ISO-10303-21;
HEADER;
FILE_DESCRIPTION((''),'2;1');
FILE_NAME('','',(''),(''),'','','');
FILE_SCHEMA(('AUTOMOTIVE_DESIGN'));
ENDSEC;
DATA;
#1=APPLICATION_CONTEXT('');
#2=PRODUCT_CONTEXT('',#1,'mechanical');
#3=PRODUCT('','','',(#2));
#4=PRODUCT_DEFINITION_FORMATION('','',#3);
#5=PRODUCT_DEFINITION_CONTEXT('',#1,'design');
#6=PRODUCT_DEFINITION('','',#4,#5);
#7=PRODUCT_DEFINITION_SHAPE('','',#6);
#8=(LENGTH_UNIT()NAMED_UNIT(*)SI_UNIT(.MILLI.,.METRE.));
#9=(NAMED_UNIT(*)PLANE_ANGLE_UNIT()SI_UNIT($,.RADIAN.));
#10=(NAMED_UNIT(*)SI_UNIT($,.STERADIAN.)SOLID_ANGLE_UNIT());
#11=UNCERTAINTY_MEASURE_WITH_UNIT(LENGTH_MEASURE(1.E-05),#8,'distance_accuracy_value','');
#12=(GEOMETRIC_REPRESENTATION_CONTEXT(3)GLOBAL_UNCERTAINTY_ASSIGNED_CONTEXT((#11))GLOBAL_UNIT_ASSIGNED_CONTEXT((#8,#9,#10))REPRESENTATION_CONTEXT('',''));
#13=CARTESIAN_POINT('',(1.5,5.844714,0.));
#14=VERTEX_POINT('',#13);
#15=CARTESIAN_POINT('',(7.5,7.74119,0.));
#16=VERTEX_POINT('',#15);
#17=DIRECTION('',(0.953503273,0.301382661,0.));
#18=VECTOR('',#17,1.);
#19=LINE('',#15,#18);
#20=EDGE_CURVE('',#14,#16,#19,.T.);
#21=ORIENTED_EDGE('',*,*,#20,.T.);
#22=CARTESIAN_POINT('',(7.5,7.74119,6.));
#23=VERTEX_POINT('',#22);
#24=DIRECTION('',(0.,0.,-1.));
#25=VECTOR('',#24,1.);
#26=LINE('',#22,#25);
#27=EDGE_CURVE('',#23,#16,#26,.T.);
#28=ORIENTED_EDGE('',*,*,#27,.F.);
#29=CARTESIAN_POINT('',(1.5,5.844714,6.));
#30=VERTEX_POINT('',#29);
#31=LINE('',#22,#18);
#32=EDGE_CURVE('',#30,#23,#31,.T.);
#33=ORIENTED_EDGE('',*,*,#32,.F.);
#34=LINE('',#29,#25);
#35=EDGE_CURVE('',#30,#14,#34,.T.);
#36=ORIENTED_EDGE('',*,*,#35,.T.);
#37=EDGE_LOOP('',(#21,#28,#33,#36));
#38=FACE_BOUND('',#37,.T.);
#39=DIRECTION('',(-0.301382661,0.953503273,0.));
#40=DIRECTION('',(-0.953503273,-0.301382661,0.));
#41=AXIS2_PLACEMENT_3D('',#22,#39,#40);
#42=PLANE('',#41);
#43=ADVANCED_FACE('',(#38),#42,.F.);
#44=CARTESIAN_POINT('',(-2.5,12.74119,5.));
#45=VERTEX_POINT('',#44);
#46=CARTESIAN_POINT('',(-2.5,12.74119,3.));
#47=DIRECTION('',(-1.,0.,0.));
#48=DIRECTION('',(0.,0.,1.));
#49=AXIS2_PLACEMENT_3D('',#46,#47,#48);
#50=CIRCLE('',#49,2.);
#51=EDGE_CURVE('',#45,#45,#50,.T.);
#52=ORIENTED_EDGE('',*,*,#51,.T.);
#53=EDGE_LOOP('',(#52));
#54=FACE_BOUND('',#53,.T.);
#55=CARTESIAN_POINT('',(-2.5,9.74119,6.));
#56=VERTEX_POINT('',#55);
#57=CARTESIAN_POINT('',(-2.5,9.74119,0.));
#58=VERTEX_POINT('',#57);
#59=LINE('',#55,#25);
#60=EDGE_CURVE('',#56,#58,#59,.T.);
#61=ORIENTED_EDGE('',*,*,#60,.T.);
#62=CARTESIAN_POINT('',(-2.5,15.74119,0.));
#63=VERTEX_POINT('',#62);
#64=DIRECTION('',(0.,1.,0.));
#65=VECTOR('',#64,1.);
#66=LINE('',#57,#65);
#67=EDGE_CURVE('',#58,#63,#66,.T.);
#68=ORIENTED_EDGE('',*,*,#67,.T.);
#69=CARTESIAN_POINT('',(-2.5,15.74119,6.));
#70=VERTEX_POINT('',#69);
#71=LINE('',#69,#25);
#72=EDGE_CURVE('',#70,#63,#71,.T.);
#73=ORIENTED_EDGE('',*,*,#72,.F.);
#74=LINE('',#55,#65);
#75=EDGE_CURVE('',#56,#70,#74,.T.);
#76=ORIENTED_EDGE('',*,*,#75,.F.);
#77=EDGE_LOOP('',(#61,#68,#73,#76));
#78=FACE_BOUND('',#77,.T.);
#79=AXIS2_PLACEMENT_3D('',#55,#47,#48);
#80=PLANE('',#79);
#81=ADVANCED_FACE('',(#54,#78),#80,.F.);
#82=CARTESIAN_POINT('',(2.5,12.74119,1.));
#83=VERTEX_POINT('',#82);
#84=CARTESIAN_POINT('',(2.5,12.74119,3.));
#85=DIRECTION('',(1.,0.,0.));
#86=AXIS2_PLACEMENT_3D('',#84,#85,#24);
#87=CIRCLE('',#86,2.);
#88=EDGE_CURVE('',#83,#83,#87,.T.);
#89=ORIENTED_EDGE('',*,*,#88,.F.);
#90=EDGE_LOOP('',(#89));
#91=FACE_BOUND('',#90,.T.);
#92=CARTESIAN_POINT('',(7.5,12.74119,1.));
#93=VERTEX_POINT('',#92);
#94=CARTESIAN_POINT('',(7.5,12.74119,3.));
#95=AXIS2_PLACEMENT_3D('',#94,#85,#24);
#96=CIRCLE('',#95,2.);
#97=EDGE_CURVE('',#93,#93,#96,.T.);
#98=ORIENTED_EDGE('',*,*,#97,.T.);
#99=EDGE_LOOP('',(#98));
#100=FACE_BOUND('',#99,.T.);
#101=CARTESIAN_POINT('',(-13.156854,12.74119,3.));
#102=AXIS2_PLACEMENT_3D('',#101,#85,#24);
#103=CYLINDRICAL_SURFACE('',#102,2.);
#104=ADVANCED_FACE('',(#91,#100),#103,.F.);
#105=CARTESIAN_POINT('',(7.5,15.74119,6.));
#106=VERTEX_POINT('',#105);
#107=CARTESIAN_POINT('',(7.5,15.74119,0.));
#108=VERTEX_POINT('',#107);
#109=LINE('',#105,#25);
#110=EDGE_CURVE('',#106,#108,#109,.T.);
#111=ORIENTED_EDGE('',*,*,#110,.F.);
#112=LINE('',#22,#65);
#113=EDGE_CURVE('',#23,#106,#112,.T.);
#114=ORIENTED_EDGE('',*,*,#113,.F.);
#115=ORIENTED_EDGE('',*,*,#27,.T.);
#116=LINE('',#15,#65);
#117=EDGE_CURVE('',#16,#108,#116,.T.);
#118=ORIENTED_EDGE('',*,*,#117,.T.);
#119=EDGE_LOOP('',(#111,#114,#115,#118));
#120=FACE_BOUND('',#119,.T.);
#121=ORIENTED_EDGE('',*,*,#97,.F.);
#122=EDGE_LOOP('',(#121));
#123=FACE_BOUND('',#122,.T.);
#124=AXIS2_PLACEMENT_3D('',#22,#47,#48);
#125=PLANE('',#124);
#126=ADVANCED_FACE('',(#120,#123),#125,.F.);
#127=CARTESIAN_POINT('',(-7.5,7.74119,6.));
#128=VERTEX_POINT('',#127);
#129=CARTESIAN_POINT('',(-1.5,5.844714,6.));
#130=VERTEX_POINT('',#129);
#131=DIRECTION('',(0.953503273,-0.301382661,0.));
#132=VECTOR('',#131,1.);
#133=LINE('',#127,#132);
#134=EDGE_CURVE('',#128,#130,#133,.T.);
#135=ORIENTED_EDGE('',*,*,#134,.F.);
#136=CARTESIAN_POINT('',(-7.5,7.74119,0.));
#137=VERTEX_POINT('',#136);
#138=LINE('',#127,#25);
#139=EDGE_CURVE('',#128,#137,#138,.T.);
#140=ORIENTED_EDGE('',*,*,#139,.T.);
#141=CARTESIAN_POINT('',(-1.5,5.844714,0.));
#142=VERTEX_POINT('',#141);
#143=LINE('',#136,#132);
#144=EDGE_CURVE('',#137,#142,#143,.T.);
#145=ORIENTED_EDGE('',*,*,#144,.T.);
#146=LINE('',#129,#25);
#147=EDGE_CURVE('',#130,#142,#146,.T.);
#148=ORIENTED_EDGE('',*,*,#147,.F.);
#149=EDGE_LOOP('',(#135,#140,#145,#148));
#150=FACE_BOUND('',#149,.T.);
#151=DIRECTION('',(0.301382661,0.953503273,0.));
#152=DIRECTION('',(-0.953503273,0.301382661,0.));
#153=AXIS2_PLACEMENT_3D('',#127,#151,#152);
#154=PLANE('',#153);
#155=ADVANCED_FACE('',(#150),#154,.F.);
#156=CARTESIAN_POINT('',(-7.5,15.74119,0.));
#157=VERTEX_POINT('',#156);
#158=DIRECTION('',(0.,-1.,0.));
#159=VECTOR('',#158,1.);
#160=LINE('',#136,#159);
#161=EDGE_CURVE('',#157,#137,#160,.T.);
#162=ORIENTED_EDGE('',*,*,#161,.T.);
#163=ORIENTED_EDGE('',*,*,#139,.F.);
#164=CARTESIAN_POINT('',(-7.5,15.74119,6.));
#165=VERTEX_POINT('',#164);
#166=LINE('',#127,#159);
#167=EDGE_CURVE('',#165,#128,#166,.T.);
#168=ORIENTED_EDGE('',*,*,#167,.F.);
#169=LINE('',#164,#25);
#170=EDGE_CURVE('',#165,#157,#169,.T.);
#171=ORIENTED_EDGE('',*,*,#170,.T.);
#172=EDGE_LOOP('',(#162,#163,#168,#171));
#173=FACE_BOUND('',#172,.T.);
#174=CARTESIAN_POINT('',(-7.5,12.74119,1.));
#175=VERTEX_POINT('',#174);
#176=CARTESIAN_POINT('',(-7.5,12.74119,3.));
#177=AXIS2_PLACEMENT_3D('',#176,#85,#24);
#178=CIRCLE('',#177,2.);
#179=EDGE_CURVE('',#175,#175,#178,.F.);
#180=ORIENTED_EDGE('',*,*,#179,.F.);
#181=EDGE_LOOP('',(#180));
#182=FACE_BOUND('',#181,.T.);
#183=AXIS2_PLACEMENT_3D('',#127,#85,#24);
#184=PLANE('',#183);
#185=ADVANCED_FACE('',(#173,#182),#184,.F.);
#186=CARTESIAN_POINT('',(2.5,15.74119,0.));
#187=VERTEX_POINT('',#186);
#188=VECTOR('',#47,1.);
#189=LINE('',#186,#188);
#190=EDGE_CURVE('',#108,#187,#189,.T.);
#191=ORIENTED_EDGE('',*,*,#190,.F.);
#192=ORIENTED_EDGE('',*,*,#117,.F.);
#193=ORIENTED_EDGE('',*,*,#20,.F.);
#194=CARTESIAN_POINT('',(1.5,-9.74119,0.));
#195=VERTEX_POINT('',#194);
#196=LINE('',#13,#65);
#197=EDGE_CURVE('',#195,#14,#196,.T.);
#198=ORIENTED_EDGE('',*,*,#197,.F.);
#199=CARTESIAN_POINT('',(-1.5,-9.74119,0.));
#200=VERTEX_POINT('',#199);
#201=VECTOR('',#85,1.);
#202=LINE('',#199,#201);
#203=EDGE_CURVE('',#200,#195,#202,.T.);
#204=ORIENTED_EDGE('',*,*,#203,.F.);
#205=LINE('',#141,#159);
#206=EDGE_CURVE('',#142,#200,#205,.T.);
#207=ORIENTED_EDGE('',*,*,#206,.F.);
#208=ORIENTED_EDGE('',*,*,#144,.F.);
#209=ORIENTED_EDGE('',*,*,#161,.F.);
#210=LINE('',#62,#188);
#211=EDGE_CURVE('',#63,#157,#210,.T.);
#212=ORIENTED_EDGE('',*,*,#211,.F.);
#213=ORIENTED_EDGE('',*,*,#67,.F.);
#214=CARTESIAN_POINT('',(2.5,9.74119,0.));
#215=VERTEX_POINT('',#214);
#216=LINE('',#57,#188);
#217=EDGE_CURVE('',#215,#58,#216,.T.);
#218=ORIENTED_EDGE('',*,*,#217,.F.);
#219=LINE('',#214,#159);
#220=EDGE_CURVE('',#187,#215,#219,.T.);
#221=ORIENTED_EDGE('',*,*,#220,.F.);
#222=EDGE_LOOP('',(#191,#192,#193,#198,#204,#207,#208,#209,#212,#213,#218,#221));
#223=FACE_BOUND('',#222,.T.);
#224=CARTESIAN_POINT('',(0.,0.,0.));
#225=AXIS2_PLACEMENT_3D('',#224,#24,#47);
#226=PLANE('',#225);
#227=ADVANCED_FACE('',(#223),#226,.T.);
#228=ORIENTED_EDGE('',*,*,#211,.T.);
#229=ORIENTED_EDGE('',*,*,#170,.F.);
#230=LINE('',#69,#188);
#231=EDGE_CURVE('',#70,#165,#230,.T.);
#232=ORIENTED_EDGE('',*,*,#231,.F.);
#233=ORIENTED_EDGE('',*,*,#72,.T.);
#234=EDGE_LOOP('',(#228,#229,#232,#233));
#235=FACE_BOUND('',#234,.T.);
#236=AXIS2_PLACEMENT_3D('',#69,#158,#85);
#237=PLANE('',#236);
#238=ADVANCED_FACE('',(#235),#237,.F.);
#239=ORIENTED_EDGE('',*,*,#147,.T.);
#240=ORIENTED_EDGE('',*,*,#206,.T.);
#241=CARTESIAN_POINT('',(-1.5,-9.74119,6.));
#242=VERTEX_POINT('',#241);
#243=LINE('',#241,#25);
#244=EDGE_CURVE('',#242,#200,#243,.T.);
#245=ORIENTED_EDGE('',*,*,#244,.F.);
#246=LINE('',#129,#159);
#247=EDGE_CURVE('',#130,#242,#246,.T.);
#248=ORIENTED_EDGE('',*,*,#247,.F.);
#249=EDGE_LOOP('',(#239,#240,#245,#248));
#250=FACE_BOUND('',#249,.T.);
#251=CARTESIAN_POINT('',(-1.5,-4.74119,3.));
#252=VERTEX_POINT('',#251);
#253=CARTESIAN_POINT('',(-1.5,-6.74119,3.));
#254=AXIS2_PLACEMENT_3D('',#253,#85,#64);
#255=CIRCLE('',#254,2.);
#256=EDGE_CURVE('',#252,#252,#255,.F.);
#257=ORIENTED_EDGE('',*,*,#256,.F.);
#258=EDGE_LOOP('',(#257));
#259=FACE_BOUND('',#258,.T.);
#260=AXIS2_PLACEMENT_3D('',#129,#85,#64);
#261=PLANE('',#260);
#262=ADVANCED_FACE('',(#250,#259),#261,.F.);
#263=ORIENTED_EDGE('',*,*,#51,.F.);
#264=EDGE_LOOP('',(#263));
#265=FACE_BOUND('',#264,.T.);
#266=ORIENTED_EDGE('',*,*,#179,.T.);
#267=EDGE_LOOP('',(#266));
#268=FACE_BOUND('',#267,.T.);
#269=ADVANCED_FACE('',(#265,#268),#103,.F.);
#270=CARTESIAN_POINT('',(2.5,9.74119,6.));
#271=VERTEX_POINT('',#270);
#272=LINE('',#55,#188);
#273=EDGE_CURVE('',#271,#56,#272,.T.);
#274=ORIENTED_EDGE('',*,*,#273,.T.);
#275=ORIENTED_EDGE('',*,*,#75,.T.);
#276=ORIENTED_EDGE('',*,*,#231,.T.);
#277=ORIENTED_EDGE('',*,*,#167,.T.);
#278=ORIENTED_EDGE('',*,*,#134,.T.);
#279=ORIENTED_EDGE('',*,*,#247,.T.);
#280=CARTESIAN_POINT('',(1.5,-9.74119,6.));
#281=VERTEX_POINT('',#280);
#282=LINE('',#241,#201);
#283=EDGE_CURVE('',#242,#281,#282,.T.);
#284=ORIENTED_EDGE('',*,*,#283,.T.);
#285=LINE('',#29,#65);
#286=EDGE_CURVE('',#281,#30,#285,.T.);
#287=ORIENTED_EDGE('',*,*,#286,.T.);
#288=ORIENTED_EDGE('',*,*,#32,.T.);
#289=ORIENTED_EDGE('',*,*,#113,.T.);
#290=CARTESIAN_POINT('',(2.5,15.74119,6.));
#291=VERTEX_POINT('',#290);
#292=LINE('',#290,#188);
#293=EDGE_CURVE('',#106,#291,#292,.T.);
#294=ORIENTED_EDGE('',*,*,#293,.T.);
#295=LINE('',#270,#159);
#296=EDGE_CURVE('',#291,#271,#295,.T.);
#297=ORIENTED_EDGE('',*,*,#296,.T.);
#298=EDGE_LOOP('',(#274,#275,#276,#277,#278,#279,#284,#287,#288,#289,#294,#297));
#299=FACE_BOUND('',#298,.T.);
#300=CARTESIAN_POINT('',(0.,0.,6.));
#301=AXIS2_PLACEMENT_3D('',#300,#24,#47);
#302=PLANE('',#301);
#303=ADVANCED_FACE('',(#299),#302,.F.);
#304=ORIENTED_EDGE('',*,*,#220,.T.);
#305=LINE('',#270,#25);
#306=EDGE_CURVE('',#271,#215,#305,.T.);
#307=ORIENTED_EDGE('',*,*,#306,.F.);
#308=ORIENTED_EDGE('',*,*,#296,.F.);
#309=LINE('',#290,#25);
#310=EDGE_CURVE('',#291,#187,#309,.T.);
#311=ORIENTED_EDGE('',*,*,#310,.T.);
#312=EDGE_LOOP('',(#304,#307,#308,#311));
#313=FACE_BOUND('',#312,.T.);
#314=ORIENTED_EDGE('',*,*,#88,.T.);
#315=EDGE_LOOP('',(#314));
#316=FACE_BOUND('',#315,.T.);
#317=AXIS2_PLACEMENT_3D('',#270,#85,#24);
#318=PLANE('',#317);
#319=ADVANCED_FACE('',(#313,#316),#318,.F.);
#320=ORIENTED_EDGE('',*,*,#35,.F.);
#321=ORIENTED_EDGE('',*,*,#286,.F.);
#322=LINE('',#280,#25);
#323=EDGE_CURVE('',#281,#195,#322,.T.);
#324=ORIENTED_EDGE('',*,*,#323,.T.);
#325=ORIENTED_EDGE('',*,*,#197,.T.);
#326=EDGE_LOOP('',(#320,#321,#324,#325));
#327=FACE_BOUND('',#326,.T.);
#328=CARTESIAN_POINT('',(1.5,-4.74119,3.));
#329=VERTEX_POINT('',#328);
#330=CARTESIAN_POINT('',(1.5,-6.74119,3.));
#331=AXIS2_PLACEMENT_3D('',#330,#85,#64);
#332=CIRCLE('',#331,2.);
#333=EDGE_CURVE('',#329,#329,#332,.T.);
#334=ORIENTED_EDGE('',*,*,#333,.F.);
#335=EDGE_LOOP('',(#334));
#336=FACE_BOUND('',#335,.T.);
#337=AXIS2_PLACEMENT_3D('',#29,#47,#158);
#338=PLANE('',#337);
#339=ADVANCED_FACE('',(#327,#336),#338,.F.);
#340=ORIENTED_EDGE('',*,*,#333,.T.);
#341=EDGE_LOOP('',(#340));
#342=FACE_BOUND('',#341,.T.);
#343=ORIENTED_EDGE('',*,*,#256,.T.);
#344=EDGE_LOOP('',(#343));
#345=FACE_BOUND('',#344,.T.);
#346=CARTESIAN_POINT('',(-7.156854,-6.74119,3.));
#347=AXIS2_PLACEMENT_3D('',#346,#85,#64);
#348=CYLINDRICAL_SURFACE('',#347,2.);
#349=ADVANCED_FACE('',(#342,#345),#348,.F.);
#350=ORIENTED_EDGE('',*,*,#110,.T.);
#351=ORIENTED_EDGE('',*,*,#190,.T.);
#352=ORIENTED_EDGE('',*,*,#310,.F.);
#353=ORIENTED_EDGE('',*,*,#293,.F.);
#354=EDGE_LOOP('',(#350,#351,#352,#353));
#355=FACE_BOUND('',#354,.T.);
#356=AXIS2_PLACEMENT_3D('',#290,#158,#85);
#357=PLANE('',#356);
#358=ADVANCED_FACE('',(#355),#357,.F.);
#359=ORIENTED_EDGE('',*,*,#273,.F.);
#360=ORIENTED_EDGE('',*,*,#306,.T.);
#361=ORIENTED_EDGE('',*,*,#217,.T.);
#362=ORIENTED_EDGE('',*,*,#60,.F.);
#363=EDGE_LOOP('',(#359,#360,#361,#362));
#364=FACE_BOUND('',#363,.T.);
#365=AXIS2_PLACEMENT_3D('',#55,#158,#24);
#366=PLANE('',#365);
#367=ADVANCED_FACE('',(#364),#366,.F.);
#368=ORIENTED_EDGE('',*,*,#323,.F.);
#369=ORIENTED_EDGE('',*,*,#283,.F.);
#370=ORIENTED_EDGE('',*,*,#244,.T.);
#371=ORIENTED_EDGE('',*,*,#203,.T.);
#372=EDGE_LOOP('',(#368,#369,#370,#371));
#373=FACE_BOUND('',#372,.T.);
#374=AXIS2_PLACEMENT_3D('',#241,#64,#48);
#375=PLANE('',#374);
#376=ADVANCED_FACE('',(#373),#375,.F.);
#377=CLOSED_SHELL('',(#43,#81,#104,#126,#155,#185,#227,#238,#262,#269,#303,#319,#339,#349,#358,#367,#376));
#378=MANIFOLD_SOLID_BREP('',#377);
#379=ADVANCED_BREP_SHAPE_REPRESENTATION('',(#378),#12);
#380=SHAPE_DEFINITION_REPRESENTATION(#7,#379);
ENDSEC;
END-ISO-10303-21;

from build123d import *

# Parameters (mm, degrees)
BOSS_EXTRU_1_DEPTH      = 6
ENL_V_MAT_EXTRU_1_REACH = 24.556
ESQUISSE2_R             = 2
ESQUISSE3_R             = 2
ENL_V_MAT_EXTRU_2_DEPTH = 3


with BuildPart() as part:
    # Esquisse1 → Boss.-Extru.1 (new body)
    with BuildSketch(Plane.XY):
        Polygon((-7.5, 7.741189715), (-1.5, 5.844713829), (-1.5, -9.741189715), (1.5, -9.741189715), (1.5, 5.844713829), (7.5, 7.741189715), (7.5, 15.741189715), (2.5, 15.741189715), (2.5, 9.741189715), (-2.5, 9.741189715), (-2.5, 15.741189715), (-7.5, 15.741189715), align=None)
    extrude(amount=BOSS_EXTRU_1_DEPTH)

    # Enlèv. mat.-Extru.1: up to this face of the body (flat: up to its plane)
    enl_v_mat_extru_1_end = Plane(part.part.faces().sort_by_distance((-7.5, 11.741189715, 3))[0])
    # Esquisse2 → Enlèv. mat.-Extru.1 (cut, up to the picked face)
    with BuildSketch(Plane(origin=(7.5, 0, 0), x_dir=(0, 0, -1), z_dir=(1, 0, 0)), mode=Mode.PRIVATE) as enl_v_mat_extru_1_sk1:
        with Locations((-3, 12.741189715)):
            Circle(ESQUISSE2_R)
    enl_v_mat_extru_1_tool1 = split(extrude(enl_v_mat_extru_1_sk1.sketch, amount=-ENL_V_MAT_EXTRU_1_REACH, mode=Mode.PRIVATE), bisect_by=enl_v_mat_extru_1_end, keep=Keep.BOTH, mode=Mode.PRIVATE)
    add(enl_v_mat_extru_1_tool1.solids().sort_by(Axis((7.5, 12.74119, 3), (-1, 0, 0)))[0], mode=Mode.SUBTRACT)

    # Esquisse3 → Enlèv. mat.-Extru.2 (cut)
    with BuildSketch(Plane(origin=(1.5, 0, 0), x_dir=(0, 0, -1), z_dir=(1, 0, 0))):
        with Locations(Location((-3, -6.741189715, 0), (0, 0, 90))):
            Circle(ESQUISSE3_R)
    extrude(amount=-ENL_V_MAT_EXTRU_2_DEPTH, mode=Mode.SUBTRACT)


solid = part.part
